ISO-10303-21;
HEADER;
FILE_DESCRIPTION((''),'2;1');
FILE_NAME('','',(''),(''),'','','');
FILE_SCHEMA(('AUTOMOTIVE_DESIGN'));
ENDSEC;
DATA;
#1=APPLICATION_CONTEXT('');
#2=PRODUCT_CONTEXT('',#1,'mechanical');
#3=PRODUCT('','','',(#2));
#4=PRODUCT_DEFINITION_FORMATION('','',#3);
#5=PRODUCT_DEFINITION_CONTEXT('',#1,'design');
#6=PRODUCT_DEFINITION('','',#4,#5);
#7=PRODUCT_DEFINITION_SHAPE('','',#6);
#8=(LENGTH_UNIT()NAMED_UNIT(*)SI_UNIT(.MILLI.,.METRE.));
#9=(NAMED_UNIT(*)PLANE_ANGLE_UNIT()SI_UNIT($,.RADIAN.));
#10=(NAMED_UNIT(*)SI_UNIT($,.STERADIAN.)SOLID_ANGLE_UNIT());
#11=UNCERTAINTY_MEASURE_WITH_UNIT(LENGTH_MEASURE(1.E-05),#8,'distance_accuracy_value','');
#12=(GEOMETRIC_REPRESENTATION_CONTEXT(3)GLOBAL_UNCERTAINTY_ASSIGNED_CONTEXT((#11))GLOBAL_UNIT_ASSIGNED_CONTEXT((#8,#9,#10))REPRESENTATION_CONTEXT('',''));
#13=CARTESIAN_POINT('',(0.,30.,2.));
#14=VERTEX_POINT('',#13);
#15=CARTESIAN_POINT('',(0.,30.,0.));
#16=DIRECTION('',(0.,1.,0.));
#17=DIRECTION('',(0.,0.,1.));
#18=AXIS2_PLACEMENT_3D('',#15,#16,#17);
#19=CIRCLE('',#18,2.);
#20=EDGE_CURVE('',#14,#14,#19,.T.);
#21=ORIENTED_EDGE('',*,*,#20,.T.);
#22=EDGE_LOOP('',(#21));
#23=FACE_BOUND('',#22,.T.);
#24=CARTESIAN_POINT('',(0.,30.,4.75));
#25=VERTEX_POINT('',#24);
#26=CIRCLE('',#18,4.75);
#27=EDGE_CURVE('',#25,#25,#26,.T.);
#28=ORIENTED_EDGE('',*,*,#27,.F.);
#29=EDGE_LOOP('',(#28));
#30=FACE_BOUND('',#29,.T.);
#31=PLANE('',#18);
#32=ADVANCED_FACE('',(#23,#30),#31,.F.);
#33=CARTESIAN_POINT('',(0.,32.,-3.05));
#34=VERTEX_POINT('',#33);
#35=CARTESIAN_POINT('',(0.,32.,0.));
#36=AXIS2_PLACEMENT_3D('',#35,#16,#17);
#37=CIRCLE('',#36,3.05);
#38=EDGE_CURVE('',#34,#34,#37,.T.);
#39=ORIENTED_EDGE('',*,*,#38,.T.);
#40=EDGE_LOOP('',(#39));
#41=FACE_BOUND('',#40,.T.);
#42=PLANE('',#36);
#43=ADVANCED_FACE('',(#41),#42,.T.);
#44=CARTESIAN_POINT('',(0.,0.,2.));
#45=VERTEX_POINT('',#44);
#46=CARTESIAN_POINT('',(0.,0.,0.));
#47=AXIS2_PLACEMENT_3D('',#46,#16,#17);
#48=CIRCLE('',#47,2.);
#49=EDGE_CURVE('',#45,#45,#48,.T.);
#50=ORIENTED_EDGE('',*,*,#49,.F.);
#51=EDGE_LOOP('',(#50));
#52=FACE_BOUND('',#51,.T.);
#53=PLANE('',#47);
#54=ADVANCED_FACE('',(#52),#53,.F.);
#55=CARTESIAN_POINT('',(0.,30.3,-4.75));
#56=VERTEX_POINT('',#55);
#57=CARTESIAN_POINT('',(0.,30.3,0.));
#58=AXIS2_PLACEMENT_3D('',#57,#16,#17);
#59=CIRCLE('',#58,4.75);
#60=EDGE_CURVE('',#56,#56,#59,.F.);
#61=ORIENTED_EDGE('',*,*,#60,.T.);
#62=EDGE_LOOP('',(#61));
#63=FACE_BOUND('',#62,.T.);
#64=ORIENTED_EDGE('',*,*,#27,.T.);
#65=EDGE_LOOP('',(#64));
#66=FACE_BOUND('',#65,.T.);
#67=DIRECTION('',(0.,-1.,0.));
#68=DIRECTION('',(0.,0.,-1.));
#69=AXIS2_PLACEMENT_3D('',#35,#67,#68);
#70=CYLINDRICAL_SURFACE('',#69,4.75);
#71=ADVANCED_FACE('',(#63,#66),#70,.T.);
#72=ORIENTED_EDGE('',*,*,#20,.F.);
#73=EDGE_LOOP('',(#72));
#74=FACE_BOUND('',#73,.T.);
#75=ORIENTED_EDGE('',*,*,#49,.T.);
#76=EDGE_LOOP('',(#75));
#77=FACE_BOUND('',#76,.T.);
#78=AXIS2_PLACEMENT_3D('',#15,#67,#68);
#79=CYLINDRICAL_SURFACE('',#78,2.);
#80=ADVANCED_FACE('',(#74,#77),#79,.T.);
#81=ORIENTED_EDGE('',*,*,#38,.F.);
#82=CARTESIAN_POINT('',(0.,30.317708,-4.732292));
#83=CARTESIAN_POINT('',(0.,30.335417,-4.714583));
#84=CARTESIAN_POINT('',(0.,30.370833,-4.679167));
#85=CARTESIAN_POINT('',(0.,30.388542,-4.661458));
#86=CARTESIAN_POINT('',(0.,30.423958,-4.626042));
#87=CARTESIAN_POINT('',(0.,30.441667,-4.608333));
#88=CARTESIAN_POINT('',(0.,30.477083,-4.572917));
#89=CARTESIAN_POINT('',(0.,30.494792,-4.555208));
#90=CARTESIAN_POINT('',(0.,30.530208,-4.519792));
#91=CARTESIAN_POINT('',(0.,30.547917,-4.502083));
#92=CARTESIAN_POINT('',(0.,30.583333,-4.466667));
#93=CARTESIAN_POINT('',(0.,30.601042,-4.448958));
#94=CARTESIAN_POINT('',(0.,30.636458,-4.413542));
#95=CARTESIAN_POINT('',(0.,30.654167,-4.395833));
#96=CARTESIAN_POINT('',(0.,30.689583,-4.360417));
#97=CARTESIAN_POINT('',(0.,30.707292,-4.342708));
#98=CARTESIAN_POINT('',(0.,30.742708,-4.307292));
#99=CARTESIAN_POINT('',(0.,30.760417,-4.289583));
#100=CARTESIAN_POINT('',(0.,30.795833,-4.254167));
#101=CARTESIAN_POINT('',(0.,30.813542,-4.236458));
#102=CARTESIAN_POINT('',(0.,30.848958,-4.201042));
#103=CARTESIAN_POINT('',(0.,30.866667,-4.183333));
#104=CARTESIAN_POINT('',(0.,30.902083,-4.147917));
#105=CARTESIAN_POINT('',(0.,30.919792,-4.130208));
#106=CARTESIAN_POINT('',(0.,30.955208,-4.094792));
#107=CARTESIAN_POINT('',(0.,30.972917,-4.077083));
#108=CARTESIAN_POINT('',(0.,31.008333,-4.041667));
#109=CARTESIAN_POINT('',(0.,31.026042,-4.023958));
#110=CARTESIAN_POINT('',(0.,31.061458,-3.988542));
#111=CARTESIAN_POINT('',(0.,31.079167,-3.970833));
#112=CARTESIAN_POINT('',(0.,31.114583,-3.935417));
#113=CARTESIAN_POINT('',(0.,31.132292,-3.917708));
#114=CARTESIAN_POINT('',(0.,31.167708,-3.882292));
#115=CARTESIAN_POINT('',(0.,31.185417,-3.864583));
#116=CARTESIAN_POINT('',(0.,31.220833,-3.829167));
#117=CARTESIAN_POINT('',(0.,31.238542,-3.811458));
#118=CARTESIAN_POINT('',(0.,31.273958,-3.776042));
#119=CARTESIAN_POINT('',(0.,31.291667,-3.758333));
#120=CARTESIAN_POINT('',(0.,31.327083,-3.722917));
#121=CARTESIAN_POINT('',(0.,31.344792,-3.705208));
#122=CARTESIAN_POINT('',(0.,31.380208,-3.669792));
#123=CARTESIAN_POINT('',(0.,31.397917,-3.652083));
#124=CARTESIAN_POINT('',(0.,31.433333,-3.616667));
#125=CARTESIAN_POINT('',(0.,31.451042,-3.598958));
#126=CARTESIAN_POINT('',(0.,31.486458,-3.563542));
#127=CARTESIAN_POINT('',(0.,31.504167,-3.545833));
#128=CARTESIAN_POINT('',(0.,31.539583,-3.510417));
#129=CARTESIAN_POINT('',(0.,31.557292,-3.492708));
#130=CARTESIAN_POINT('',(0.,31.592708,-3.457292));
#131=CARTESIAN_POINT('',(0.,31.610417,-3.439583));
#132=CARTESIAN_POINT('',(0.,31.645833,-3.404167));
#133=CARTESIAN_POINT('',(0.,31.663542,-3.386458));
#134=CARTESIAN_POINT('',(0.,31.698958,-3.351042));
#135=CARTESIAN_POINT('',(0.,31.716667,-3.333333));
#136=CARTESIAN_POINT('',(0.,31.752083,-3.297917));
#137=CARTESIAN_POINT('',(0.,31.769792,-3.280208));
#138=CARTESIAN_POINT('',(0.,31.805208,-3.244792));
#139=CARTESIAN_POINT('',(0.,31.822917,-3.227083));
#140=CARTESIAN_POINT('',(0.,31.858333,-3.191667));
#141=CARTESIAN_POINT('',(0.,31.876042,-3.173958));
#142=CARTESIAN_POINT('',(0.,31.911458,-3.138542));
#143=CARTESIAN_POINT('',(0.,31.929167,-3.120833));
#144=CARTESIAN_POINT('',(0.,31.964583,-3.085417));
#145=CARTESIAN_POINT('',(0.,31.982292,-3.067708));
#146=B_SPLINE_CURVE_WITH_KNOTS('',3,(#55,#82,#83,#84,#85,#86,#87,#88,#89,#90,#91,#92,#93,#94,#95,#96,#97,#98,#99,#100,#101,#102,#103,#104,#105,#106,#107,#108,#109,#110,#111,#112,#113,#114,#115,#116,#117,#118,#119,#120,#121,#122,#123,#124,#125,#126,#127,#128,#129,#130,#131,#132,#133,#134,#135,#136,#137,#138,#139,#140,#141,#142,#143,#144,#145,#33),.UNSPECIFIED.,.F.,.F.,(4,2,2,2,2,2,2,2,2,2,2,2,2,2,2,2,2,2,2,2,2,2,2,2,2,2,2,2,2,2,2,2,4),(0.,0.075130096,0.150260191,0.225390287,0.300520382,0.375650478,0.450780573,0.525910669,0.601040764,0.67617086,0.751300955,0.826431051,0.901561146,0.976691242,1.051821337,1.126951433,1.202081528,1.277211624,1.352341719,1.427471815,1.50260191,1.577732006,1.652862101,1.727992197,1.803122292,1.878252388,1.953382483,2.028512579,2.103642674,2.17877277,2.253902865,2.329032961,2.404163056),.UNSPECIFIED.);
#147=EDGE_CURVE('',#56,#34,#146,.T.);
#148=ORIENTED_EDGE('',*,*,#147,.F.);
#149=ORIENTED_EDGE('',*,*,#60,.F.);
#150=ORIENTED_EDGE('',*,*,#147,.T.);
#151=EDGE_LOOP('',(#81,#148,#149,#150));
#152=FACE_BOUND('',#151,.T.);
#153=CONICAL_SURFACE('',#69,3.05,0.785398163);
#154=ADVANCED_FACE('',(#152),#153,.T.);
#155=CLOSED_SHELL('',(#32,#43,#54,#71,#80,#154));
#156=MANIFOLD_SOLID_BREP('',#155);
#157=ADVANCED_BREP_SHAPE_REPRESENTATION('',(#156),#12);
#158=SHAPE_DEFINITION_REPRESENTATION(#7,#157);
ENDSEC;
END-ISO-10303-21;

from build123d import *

# Parameters (mm, degrees)
SKETCH1_R           = 2
BOSS_EXTRUDE1_DEPTH = 30
SKETCH2_R           = 4.75
BOSS_EXTRUDE2_DEPTH = 2
CHAMFER1_SIZE       = 1.7


with BuildPart() as part:
    # Sketch1 → Boss-Extrude1 (new body)
    with BuildSketch(Plane(origin=(0, 0, 0), x_dir=(1, 0, 0), z_dir=(0, 1, 0))):
        with Locations(Location((0, 0, 0), (0, 0, 270))):
            Circle(SKETCH1_R)
    extrude(amount=BOSS_EXTRUDE1_DEPTH)

    # Sketch2 → Boss-Extrude2 (add)
    with BuildSketch(Plane(origin=(0, 30, 0), x_dir=(1, 0, 0), z_dir=(0, 1, 0))):
        with Locations(Location((0, 0, 0), (0, 0, 270))):
            Circle(SKETCH2_R)
    extrude(amount=BOSS_EXTRUDE2_DEPTH)

    # Chamfer1
    chamfer1_edges = [part.edges().sort_by_distance(p)[0] for p in [
        (0, 32, -4.75),
    ]]
    chamfer(chamfer1_edges, length=CHAMFER1_SIZE)


solid = part.part
